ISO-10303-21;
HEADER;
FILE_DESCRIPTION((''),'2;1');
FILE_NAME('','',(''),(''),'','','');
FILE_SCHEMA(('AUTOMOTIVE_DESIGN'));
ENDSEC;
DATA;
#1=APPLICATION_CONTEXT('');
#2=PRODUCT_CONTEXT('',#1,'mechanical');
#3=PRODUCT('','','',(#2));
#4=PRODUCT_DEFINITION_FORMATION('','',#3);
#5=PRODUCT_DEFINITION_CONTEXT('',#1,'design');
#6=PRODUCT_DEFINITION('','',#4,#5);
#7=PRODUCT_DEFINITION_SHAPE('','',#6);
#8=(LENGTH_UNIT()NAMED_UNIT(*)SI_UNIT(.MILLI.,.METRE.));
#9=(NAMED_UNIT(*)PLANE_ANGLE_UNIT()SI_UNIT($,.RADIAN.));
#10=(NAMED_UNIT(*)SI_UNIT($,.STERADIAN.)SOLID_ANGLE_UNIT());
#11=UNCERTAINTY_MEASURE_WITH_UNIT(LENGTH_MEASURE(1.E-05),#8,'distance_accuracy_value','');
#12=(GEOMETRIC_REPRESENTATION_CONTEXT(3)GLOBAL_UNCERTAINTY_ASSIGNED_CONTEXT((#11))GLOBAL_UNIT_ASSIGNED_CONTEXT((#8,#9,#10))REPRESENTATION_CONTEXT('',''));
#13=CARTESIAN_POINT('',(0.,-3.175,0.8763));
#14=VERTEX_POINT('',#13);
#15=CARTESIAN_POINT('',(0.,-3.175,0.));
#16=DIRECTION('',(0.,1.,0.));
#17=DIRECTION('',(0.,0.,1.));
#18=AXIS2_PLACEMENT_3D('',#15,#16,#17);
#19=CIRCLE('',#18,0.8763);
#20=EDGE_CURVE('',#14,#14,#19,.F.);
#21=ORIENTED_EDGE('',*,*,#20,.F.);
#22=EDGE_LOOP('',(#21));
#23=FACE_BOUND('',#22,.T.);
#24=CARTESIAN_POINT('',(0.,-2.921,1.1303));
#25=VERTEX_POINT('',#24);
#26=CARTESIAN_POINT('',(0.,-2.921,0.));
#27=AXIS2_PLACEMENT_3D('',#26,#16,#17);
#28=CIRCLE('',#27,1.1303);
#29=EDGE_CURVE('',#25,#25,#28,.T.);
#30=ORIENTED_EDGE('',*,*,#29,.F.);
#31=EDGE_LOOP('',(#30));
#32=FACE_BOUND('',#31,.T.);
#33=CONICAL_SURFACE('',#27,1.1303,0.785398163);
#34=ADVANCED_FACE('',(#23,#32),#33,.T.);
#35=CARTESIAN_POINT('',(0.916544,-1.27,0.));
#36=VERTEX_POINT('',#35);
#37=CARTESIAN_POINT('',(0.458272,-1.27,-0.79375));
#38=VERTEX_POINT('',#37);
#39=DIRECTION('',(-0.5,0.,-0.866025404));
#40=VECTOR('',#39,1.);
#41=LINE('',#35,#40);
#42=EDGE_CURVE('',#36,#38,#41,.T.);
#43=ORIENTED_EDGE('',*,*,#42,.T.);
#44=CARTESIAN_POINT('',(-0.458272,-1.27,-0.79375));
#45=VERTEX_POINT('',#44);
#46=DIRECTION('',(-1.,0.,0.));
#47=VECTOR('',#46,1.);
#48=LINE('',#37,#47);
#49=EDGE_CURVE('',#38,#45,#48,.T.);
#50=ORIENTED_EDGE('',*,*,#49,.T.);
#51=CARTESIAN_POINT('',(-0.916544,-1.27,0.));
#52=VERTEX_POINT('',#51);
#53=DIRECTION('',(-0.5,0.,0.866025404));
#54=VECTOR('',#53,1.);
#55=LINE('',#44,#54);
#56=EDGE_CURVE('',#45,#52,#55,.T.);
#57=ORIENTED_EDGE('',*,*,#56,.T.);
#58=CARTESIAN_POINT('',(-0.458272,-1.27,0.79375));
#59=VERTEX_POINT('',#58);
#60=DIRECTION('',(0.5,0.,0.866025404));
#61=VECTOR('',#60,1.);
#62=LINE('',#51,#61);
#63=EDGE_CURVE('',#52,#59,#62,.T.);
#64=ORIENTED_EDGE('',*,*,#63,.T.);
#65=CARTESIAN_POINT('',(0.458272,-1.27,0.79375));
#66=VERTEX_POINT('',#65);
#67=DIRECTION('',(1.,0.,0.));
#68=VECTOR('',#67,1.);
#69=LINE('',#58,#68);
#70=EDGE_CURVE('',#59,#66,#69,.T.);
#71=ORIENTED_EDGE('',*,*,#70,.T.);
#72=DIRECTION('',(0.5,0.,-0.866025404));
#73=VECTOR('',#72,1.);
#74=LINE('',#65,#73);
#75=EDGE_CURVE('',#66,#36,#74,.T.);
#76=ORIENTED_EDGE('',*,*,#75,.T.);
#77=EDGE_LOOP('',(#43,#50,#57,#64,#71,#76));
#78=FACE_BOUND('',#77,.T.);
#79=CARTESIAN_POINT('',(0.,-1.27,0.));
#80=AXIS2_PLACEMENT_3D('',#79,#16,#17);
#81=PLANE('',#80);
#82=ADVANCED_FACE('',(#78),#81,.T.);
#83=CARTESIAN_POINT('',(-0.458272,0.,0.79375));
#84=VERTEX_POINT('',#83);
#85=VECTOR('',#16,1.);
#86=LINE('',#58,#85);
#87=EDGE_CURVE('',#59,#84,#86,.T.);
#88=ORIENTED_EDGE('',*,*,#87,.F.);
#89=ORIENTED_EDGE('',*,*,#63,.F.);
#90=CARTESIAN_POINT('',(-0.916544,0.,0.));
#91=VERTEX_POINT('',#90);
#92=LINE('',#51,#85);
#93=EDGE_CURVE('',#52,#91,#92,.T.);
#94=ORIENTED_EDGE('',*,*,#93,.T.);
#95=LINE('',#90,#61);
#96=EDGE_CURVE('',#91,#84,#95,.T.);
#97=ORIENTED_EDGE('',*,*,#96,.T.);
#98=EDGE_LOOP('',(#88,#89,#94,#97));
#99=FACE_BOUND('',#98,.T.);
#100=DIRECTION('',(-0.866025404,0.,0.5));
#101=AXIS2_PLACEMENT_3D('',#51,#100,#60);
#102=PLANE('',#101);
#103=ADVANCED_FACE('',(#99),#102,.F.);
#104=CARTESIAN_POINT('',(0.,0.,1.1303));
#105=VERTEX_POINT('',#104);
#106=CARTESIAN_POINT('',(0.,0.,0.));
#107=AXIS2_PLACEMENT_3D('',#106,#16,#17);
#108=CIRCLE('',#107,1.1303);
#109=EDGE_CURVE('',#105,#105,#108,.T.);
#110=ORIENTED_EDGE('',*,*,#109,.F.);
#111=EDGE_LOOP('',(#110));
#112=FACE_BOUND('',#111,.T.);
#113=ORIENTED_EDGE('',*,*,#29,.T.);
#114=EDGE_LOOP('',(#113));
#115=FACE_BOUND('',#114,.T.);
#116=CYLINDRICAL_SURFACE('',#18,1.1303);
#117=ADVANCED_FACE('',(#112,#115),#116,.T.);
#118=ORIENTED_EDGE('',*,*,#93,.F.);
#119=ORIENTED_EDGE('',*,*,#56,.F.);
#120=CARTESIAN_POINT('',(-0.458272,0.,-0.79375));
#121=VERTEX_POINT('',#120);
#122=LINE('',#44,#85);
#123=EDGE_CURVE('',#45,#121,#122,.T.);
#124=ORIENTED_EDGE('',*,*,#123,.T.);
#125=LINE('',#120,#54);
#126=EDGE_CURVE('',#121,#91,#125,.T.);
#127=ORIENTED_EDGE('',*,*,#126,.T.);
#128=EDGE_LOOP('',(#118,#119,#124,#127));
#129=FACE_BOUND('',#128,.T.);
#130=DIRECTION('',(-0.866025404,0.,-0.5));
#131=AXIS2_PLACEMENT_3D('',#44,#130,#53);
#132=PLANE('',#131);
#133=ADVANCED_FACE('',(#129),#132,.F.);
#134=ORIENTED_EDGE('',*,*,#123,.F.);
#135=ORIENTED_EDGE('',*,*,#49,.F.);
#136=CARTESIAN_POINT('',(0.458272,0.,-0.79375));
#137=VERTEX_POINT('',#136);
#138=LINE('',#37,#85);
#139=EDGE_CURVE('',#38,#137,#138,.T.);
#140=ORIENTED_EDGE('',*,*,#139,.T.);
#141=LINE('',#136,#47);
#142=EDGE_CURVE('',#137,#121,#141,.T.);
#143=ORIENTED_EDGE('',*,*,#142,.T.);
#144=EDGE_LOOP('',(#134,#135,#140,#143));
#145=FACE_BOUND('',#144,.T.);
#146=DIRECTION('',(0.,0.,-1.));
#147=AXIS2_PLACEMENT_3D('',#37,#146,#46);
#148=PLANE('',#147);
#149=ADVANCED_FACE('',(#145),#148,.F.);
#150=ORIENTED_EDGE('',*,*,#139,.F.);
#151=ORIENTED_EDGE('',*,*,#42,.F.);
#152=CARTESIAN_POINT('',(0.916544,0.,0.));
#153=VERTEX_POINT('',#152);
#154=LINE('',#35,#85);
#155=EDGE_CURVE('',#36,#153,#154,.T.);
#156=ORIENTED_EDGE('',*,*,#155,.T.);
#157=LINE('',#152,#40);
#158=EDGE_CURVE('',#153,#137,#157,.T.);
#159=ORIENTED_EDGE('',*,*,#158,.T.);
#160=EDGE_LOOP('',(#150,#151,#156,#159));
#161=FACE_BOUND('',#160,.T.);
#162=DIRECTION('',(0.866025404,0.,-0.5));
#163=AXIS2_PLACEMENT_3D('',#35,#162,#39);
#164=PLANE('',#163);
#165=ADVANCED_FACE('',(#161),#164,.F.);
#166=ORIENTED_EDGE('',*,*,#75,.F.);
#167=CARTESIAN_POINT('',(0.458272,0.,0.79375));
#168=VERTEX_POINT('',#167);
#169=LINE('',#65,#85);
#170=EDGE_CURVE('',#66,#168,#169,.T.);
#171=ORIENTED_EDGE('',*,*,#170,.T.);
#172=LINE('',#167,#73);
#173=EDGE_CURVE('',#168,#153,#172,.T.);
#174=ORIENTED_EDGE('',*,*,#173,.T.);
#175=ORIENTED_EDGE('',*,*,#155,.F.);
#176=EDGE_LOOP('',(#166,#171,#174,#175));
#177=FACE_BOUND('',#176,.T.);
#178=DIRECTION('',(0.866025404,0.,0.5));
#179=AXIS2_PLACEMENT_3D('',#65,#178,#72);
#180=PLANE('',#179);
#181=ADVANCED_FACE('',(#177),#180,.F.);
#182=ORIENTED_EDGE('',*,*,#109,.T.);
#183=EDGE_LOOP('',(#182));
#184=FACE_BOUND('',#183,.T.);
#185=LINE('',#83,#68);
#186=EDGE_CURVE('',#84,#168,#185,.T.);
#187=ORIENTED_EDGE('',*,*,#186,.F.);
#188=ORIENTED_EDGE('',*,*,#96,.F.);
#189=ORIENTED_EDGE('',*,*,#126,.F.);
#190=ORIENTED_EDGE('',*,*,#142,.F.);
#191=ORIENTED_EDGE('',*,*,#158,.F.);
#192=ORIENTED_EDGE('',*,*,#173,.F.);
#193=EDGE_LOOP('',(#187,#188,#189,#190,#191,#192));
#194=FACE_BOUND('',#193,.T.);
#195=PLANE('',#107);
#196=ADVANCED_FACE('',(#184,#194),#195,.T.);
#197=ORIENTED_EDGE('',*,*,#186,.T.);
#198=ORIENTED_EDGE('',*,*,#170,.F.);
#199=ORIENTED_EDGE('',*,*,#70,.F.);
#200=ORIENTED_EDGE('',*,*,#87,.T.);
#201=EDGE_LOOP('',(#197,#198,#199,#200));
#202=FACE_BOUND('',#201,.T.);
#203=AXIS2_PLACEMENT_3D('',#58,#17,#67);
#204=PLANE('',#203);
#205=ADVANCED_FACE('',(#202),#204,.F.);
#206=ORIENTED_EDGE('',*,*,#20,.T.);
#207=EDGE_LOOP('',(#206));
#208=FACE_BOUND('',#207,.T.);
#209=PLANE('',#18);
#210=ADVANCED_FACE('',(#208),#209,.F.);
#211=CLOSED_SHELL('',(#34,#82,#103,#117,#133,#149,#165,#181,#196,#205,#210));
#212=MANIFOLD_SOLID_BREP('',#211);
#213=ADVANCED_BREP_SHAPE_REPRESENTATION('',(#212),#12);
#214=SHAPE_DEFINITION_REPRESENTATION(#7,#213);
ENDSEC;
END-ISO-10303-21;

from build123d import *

# Parameters (mm, degrees)
SKETCH1_R           = 1.1303
BOSS_EXTRUDE1_DEPTH = 3.175
CHAMFER1_SIZE       = 0.254
CUT_EXTRUDE1_DEPTH  = 1.27


with BuildPart() as part:
    # Sketch1 → Boss-Extrude1 (new body)
    with BuildSketch(Plane(origin=(0, 0, 0), x_dir=(1, 0, 0), z_dir=(0, 1, 0))):
        with Locations(Location((0, 0, 0), (0, 0, 270))):
            Circle(SKETCH1_R)
    extrude(amount=-BOSS_EXTRUDE1_DEPTH)

    # Chamfer1
    chamfer1_edges = [part.edges().sort_by_distance(p)[0] for p in [
        (0, -3.175, -1.1303),
    ]]
    chamfer(chamfer1_edges, length=CHAMFER1_SIZE)

    # Sketch2 → Cut-Extrude1 (cut)
    with BuildSketch(Plane(origin=(0, 0, 0), x_dir=(1, 0, 0), z_dir=(0, 1, 0))):
        Polygon((-0.916543552, 0), (-0.458271776, -0.79375), (0.458271776, -0.79375), (0.916543552, 0), (0.458271776, 0.79375), (-0.458271776, 0.79375), align=None)
    extrude(amount=-CUT_EXTRUDE1_DEPTH, mode=Mode.SUBTRACT)


solid = part.part
